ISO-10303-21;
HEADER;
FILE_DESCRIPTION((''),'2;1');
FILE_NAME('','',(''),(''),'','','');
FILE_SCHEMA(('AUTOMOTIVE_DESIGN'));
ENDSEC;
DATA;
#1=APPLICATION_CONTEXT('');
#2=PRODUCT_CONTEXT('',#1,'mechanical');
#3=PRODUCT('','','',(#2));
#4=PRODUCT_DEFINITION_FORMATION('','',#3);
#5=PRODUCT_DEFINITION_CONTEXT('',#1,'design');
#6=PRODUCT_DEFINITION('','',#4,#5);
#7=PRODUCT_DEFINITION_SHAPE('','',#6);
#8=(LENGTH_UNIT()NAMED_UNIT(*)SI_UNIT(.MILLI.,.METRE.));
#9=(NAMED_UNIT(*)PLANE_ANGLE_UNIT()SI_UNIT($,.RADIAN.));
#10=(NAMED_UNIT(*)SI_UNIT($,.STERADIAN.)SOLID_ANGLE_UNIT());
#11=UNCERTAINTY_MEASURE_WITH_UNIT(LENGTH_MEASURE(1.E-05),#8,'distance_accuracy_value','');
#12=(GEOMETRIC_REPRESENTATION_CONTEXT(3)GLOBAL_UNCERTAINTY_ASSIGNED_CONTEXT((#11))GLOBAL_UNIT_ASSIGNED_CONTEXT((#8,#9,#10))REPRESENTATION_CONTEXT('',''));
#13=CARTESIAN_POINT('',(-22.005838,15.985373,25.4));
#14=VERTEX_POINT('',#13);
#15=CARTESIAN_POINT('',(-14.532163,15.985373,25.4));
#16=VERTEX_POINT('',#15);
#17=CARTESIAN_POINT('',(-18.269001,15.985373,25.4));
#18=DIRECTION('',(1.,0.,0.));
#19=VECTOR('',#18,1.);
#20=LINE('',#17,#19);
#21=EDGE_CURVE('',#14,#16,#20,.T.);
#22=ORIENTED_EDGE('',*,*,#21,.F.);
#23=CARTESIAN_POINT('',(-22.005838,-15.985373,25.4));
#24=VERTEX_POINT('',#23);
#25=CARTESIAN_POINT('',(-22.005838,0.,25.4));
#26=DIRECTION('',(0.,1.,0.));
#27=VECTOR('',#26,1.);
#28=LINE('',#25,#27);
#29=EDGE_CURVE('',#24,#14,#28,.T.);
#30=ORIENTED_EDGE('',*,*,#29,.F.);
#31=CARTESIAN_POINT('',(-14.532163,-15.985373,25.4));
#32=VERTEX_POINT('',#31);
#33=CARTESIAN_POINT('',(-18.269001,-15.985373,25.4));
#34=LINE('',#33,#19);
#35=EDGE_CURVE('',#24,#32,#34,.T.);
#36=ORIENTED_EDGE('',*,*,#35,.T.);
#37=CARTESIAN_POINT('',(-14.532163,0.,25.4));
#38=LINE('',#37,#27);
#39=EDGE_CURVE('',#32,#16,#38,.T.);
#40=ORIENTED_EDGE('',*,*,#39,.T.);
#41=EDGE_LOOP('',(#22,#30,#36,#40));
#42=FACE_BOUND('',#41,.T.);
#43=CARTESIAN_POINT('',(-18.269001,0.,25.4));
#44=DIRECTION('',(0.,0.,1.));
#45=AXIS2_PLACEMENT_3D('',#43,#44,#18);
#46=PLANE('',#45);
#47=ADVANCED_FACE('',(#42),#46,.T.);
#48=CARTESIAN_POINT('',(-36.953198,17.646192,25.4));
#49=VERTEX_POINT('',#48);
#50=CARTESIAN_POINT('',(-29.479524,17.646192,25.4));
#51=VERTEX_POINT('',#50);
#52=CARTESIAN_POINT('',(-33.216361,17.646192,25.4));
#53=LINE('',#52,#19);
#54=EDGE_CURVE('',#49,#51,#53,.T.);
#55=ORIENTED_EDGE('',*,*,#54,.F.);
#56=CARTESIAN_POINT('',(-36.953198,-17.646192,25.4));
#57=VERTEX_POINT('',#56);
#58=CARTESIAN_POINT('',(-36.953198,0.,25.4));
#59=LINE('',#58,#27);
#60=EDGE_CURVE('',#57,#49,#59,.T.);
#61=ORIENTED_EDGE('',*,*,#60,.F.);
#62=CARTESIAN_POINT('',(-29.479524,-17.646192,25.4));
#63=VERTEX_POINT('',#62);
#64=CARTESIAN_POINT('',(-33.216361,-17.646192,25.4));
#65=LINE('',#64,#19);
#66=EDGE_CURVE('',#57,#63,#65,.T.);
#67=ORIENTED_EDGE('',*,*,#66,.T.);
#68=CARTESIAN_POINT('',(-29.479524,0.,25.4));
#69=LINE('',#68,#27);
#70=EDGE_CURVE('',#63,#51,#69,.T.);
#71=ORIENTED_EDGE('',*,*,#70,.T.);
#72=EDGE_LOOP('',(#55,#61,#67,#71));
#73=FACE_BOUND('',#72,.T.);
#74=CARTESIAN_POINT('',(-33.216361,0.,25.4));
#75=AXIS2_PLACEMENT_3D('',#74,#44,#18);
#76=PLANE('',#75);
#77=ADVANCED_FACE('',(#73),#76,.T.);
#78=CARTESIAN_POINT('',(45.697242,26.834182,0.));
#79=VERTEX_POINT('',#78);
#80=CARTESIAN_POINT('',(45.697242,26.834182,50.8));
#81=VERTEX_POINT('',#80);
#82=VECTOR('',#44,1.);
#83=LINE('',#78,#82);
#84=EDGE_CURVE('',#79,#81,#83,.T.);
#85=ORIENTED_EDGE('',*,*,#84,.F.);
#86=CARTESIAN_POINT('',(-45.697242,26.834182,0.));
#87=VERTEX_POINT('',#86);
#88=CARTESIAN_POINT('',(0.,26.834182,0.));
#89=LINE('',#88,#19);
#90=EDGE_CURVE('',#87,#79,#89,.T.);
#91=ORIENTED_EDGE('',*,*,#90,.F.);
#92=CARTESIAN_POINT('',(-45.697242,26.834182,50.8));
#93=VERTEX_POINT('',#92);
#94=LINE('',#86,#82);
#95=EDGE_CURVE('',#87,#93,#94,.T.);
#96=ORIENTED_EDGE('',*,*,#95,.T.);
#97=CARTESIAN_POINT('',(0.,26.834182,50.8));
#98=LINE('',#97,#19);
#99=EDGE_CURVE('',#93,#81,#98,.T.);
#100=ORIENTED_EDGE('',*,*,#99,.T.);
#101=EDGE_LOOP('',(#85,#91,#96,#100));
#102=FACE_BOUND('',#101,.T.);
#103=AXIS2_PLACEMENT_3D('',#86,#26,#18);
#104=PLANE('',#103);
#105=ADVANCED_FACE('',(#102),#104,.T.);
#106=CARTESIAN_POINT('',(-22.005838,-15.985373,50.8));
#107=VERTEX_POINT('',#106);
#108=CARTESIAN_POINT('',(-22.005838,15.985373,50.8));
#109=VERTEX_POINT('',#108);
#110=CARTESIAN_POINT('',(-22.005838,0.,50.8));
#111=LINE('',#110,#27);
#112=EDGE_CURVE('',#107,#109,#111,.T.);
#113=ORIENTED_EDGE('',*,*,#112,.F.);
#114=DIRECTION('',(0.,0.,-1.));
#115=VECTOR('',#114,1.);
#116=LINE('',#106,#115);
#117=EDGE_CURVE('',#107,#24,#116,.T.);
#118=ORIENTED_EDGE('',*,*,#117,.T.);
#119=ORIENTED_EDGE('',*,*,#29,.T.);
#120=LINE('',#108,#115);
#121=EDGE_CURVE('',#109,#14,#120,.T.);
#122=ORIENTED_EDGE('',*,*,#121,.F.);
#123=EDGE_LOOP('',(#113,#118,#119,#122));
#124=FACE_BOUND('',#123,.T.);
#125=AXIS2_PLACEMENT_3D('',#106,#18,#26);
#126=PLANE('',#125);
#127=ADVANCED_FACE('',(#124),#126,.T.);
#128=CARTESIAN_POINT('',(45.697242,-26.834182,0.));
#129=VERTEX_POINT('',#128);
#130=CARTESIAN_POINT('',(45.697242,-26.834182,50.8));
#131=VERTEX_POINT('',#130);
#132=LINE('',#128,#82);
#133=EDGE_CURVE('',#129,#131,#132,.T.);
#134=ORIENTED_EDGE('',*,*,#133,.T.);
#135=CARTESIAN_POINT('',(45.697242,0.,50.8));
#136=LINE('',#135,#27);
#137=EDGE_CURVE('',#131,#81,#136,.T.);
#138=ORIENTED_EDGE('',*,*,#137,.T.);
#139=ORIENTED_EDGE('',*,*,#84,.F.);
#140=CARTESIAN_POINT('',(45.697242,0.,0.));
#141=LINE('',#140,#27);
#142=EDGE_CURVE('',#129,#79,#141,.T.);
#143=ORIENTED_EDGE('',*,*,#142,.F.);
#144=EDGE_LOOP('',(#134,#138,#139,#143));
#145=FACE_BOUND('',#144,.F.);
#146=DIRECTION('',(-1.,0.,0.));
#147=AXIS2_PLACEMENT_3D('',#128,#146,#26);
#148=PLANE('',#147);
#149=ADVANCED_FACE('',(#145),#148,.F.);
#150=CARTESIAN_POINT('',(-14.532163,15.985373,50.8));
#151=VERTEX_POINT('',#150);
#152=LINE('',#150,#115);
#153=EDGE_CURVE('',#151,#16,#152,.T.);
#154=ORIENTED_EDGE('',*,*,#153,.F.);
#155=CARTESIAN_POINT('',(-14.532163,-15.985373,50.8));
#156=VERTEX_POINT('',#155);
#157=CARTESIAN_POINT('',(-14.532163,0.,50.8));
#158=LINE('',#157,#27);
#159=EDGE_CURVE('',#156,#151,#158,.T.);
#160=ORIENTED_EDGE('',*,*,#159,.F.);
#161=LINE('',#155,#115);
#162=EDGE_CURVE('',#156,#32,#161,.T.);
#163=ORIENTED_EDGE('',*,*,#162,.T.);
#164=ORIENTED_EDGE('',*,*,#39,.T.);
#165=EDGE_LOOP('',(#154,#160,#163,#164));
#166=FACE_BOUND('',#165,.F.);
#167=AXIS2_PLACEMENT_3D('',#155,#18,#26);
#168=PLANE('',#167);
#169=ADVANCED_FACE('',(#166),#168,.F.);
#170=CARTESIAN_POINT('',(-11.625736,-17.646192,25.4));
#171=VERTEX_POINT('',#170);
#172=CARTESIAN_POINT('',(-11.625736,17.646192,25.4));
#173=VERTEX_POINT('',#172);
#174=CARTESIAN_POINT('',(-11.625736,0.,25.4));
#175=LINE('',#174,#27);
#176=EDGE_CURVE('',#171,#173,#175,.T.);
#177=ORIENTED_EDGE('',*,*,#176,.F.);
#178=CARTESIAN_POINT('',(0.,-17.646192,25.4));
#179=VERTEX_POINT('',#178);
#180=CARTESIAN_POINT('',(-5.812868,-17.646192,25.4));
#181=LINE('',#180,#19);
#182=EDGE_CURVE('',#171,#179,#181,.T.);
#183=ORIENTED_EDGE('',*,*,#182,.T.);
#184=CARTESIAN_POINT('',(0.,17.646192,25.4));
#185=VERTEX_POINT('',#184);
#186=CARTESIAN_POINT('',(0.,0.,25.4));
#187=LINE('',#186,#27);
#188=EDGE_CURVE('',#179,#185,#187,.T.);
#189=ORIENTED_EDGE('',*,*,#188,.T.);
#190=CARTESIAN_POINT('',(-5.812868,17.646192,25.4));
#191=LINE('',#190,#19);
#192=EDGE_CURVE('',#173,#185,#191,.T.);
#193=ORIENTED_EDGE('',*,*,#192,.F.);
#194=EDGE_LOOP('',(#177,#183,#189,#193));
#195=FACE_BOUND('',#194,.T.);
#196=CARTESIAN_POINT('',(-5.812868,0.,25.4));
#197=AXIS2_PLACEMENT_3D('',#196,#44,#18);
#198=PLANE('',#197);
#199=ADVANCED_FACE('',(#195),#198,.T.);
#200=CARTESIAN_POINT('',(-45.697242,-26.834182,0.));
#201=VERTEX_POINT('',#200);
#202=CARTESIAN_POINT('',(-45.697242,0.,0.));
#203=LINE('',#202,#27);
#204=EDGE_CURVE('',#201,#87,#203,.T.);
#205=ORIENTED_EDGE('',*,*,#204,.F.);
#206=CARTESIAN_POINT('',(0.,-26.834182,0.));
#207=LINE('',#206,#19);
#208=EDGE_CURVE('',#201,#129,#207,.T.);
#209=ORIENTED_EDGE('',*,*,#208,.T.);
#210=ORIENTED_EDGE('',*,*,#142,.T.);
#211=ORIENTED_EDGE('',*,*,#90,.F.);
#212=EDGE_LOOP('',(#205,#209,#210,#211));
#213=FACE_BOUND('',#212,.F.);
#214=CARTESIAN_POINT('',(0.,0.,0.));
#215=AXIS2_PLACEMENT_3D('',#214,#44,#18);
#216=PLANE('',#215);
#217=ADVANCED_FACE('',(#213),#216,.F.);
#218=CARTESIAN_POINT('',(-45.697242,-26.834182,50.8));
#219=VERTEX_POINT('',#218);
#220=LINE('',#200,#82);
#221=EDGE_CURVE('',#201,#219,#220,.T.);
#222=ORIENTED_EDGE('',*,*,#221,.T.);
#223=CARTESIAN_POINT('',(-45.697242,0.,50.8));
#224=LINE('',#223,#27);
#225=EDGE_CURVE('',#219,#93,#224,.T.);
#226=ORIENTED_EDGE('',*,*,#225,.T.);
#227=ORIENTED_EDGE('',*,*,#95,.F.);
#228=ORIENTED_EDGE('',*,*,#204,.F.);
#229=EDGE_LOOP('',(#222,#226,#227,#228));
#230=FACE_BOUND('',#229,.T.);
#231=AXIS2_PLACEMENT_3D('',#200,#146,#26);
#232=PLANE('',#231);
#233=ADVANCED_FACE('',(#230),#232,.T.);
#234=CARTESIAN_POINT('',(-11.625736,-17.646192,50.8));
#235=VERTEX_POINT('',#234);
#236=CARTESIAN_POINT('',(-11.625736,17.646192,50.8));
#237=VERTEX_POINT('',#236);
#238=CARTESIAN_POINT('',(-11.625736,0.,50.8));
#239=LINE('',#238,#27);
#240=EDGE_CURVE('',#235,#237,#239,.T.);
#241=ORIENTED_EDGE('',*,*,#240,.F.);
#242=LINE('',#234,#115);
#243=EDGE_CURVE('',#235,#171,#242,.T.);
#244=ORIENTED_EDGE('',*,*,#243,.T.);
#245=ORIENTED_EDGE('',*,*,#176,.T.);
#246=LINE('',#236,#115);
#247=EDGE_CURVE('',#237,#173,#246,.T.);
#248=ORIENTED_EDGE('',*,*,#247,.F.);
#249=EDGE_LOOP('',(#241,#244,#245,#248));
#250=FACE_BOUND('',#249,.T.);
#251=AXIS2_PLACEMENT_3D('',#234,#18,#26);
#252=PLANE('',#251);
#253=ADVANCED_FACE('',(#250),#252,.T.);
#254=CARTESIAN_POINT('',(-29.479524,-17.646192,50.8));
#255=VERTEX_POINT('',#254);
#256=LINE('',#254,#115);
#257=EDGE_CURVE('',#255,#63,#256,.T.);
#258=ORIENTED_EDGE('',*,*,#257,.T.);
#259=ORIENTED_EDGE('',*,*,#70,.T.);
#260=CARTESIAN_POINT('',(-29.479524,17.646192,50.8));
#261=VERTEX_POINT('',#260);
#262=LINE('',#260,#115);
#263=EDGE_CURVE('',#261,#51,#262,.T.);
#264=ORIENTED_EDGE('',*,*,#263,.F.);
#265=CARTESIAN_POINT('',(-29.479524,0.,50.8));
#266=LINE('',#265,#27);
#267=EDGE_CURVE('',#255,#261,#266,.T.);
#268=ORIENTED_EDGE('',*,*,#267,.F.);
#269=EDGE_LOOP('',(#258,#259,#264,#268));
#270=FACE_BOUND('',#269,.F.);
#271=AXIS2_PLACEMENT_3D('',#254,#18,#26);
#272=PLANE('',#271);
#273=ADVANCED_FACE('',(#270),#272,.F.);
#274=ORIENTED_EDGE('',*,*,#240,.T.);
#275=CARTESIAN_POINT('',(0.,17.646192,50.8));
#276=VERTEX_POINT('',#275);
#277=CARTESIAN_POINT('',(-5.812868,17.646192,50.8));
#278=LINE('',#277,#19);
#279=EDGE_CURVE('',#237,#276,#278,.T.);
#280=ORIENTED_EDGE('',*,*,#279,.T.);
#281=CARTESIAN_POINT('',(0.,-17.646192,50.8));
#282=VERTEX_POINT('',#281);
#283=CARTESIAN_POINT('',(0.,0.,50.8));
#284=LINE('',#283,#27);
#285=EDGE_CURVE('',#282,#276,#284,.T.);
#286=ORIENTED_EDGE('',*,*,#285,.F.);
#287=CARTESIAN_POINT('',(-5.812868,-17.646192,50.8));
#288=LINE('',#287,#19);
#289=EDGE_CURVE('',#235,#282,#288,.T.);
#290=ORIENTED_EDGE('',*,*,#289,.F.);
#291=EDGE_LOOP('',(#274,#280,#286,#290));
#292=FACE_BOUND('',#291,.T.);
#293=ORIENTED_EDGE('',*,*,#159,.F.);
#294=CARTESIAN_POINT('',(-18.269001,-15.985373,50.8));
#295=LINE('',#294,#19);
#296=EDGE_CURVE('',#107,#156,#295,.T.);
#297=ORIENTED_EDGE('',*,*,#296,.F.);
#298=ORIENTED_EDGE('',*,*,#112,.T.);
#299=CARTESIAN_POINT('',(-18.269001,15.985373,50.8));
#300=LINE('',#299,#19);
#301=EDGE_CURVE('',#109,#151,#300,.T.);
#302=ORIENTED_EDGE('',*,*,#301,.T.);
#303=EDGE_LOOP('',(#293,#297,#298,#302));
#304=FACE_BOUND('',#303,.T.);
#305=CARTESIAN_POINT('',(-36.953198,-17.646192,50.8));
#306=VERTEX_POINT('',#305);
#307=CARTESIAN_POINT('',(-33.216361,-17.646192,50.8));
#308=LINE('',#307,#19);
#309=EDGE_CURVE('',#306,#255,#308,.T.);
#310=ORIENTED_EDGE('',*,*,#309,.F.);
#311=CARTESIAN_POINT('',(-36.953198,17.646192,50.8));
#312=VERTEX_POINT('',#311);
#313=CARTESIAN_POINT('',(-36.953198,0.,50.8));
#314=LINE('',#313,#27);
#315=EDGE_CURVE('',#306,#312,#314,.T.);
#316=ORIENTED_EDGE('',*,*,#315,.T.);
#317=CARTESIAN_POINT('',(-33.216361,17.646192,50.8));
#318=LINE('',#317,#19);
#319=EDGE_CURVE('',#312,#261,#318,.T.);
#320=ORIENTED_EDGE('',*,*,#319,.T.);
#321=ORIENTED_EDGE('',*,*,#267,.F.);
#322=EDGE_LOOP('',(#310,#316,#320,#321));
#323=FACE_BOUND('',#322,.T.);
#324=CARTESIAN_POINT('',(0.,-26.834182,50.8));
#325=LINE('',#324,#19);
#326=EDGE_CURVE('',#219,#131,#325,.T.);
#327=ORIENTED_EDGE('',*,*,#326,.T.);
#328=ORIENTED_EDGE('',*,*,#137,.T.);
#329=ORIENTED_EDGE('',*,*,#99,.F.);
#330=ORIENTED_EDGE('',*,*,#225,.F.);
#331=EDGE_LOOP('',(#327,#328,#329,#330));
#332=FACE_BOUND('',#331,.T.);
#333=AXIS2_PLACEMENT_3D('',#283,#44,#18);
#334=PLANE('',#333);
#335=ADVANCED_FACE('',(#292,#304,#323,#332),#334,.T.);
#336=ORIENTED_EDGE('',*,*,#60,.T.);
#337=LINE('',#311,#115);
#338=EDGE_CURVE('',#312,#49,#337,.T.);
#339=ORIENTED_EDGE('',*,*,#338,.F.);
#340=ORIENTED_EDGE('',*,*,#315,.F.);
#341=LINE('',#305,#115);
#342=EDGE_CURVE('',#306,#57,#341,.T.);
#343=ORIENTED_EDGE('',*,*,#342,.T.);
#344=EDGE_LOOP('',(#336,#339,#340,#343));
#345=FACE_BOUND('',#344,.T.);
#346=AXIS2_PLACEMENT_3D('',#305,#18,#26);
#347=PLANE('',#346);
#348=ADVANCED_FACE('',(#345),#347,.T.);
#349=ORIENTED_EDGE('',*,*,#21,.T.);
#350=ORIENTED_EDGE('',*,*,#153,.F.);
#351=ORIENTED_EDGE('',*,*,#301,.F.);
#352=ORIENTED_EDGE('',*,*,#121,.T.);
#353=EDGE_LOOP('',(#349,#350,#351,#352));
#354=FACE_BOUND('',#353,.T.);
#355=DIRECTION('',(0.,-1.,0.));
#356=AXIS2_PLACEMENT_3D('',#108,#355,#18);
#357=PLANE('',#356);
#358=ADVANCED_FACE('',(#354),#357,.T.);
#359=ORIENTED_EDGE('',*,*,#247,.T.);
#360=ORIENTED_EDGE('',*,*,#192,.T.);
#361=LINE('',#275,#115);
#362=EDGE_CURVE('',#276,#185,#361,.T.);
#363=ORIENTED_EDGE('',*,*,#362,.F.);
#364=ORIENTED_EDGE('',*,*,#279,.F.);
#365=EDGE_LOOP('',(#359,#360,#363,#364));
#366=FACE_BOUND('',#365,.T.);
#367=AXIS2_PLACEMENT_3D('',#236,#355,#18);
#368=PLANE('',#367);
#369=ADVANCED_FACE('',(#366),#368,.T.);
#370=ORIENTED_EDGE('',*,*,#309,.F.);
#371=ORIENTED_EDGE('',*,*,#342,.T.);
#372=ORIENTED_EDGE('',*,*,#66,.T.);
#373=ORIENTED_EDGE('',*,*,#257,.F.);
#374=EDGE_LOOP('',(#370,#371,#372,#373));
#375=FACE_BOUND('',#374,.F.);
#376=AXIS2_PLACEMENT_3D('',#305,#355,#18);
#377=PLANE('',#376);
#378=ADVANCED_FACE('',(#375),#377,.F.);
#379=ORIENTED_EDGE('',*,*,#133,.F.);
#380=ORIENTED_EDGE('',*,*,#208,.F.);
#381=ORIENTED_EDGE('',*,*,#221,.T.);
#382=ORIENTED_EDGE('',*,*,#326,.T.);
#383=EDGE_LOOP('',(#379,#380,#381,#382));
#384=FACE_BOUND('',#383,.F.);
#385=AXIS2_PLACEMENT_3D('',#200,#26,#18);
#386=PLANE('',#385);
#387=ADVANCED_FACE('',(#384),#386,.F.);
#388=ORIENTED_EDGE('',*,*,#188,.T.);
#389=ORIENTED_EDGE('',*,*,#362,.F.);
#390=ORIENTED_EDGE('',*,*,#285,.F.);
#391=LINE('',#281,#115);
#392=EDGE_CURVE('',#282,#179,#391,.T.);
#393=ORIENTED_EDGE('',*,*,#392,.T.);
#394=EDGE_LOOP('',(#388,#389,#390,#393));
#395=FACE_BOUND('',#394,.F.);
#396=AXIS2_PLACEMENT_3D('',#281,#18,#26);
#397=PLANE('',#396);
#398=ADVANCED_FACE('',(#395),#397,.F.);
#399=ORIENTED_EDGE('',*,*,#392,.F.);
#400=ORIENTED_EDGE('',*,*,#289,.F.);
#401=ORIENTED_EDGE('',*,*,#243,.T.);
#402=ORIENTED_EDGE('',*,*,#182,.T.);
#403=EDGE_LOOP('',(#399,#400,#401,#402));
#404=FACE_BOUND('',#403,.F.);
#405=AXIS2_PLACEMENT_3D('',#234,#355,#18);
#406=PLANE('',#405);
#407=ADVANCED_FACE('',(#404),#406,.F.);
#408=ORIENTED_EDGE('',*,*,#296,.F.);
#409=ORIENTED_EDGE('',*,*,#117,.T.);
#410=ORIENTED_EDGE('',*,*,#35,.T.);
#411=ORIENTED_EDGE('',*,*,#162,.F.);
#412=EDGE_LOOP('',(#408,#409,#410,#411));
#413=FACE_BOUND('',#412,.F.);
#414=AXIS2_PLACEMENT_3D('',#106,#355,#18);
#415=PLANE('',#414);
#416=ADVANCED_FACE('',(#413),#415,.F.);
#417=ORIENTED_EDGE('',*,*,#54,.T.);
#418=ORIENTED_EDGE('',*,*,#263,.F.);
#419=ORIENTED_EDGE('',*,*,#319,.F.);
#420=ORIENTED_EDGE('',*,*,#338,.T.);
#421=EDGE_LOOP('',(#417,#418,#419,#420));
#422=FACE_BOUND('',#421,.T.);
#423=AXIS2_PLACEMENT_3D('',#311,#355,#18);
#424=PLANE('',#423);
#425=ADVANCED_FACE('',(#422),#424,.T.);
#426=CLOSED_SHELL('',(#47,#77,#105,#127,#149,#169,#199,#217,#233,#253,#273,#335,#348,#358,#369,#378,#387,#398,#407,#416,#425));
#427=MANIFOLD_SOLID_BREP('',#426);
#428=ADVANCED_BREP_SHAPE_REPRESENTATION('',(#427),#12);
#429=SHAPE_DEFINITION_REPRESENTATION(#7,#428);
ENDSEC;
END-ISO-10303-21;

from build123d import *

# Parameters (mm, degrees)
F0_W     = 91.394484
F0_H     = 53.668364
F1_DEPTH = 50.8
F2_W     = 7.473674
F2_H     = 35.292384
F2_W_2   = 7.473675
F2_H_2   = 31.970746
F2_W_3   = 11.625736
F3_DEPTH = 25.4


with BuildPart() as f1:
    # F0 (on Top) → F1 (new body)
    with BuildSketch(Plane.XY):
        Rectangle(F0_W, F0_H)
    extrude(amount=F1_DEPTH)

    # F2 (on face) → F3 (cut)
    with BuildSketch(Plane.XY.offset(50.8)):
        with Locations((-33.216361, 0)):
            Rectangle(F2_W, F2_H)
        with Locations((-18.269001, 0)):
            Rectangle(F2_W_2, F2_H_2)
        with Locations((-5.812868, 0)):
            Rectangle(F2_W_3, F2_H)
    extrude(amount=-F3_DEPTH, mode=Mode.SUBTRACT)


solid = f1.part
